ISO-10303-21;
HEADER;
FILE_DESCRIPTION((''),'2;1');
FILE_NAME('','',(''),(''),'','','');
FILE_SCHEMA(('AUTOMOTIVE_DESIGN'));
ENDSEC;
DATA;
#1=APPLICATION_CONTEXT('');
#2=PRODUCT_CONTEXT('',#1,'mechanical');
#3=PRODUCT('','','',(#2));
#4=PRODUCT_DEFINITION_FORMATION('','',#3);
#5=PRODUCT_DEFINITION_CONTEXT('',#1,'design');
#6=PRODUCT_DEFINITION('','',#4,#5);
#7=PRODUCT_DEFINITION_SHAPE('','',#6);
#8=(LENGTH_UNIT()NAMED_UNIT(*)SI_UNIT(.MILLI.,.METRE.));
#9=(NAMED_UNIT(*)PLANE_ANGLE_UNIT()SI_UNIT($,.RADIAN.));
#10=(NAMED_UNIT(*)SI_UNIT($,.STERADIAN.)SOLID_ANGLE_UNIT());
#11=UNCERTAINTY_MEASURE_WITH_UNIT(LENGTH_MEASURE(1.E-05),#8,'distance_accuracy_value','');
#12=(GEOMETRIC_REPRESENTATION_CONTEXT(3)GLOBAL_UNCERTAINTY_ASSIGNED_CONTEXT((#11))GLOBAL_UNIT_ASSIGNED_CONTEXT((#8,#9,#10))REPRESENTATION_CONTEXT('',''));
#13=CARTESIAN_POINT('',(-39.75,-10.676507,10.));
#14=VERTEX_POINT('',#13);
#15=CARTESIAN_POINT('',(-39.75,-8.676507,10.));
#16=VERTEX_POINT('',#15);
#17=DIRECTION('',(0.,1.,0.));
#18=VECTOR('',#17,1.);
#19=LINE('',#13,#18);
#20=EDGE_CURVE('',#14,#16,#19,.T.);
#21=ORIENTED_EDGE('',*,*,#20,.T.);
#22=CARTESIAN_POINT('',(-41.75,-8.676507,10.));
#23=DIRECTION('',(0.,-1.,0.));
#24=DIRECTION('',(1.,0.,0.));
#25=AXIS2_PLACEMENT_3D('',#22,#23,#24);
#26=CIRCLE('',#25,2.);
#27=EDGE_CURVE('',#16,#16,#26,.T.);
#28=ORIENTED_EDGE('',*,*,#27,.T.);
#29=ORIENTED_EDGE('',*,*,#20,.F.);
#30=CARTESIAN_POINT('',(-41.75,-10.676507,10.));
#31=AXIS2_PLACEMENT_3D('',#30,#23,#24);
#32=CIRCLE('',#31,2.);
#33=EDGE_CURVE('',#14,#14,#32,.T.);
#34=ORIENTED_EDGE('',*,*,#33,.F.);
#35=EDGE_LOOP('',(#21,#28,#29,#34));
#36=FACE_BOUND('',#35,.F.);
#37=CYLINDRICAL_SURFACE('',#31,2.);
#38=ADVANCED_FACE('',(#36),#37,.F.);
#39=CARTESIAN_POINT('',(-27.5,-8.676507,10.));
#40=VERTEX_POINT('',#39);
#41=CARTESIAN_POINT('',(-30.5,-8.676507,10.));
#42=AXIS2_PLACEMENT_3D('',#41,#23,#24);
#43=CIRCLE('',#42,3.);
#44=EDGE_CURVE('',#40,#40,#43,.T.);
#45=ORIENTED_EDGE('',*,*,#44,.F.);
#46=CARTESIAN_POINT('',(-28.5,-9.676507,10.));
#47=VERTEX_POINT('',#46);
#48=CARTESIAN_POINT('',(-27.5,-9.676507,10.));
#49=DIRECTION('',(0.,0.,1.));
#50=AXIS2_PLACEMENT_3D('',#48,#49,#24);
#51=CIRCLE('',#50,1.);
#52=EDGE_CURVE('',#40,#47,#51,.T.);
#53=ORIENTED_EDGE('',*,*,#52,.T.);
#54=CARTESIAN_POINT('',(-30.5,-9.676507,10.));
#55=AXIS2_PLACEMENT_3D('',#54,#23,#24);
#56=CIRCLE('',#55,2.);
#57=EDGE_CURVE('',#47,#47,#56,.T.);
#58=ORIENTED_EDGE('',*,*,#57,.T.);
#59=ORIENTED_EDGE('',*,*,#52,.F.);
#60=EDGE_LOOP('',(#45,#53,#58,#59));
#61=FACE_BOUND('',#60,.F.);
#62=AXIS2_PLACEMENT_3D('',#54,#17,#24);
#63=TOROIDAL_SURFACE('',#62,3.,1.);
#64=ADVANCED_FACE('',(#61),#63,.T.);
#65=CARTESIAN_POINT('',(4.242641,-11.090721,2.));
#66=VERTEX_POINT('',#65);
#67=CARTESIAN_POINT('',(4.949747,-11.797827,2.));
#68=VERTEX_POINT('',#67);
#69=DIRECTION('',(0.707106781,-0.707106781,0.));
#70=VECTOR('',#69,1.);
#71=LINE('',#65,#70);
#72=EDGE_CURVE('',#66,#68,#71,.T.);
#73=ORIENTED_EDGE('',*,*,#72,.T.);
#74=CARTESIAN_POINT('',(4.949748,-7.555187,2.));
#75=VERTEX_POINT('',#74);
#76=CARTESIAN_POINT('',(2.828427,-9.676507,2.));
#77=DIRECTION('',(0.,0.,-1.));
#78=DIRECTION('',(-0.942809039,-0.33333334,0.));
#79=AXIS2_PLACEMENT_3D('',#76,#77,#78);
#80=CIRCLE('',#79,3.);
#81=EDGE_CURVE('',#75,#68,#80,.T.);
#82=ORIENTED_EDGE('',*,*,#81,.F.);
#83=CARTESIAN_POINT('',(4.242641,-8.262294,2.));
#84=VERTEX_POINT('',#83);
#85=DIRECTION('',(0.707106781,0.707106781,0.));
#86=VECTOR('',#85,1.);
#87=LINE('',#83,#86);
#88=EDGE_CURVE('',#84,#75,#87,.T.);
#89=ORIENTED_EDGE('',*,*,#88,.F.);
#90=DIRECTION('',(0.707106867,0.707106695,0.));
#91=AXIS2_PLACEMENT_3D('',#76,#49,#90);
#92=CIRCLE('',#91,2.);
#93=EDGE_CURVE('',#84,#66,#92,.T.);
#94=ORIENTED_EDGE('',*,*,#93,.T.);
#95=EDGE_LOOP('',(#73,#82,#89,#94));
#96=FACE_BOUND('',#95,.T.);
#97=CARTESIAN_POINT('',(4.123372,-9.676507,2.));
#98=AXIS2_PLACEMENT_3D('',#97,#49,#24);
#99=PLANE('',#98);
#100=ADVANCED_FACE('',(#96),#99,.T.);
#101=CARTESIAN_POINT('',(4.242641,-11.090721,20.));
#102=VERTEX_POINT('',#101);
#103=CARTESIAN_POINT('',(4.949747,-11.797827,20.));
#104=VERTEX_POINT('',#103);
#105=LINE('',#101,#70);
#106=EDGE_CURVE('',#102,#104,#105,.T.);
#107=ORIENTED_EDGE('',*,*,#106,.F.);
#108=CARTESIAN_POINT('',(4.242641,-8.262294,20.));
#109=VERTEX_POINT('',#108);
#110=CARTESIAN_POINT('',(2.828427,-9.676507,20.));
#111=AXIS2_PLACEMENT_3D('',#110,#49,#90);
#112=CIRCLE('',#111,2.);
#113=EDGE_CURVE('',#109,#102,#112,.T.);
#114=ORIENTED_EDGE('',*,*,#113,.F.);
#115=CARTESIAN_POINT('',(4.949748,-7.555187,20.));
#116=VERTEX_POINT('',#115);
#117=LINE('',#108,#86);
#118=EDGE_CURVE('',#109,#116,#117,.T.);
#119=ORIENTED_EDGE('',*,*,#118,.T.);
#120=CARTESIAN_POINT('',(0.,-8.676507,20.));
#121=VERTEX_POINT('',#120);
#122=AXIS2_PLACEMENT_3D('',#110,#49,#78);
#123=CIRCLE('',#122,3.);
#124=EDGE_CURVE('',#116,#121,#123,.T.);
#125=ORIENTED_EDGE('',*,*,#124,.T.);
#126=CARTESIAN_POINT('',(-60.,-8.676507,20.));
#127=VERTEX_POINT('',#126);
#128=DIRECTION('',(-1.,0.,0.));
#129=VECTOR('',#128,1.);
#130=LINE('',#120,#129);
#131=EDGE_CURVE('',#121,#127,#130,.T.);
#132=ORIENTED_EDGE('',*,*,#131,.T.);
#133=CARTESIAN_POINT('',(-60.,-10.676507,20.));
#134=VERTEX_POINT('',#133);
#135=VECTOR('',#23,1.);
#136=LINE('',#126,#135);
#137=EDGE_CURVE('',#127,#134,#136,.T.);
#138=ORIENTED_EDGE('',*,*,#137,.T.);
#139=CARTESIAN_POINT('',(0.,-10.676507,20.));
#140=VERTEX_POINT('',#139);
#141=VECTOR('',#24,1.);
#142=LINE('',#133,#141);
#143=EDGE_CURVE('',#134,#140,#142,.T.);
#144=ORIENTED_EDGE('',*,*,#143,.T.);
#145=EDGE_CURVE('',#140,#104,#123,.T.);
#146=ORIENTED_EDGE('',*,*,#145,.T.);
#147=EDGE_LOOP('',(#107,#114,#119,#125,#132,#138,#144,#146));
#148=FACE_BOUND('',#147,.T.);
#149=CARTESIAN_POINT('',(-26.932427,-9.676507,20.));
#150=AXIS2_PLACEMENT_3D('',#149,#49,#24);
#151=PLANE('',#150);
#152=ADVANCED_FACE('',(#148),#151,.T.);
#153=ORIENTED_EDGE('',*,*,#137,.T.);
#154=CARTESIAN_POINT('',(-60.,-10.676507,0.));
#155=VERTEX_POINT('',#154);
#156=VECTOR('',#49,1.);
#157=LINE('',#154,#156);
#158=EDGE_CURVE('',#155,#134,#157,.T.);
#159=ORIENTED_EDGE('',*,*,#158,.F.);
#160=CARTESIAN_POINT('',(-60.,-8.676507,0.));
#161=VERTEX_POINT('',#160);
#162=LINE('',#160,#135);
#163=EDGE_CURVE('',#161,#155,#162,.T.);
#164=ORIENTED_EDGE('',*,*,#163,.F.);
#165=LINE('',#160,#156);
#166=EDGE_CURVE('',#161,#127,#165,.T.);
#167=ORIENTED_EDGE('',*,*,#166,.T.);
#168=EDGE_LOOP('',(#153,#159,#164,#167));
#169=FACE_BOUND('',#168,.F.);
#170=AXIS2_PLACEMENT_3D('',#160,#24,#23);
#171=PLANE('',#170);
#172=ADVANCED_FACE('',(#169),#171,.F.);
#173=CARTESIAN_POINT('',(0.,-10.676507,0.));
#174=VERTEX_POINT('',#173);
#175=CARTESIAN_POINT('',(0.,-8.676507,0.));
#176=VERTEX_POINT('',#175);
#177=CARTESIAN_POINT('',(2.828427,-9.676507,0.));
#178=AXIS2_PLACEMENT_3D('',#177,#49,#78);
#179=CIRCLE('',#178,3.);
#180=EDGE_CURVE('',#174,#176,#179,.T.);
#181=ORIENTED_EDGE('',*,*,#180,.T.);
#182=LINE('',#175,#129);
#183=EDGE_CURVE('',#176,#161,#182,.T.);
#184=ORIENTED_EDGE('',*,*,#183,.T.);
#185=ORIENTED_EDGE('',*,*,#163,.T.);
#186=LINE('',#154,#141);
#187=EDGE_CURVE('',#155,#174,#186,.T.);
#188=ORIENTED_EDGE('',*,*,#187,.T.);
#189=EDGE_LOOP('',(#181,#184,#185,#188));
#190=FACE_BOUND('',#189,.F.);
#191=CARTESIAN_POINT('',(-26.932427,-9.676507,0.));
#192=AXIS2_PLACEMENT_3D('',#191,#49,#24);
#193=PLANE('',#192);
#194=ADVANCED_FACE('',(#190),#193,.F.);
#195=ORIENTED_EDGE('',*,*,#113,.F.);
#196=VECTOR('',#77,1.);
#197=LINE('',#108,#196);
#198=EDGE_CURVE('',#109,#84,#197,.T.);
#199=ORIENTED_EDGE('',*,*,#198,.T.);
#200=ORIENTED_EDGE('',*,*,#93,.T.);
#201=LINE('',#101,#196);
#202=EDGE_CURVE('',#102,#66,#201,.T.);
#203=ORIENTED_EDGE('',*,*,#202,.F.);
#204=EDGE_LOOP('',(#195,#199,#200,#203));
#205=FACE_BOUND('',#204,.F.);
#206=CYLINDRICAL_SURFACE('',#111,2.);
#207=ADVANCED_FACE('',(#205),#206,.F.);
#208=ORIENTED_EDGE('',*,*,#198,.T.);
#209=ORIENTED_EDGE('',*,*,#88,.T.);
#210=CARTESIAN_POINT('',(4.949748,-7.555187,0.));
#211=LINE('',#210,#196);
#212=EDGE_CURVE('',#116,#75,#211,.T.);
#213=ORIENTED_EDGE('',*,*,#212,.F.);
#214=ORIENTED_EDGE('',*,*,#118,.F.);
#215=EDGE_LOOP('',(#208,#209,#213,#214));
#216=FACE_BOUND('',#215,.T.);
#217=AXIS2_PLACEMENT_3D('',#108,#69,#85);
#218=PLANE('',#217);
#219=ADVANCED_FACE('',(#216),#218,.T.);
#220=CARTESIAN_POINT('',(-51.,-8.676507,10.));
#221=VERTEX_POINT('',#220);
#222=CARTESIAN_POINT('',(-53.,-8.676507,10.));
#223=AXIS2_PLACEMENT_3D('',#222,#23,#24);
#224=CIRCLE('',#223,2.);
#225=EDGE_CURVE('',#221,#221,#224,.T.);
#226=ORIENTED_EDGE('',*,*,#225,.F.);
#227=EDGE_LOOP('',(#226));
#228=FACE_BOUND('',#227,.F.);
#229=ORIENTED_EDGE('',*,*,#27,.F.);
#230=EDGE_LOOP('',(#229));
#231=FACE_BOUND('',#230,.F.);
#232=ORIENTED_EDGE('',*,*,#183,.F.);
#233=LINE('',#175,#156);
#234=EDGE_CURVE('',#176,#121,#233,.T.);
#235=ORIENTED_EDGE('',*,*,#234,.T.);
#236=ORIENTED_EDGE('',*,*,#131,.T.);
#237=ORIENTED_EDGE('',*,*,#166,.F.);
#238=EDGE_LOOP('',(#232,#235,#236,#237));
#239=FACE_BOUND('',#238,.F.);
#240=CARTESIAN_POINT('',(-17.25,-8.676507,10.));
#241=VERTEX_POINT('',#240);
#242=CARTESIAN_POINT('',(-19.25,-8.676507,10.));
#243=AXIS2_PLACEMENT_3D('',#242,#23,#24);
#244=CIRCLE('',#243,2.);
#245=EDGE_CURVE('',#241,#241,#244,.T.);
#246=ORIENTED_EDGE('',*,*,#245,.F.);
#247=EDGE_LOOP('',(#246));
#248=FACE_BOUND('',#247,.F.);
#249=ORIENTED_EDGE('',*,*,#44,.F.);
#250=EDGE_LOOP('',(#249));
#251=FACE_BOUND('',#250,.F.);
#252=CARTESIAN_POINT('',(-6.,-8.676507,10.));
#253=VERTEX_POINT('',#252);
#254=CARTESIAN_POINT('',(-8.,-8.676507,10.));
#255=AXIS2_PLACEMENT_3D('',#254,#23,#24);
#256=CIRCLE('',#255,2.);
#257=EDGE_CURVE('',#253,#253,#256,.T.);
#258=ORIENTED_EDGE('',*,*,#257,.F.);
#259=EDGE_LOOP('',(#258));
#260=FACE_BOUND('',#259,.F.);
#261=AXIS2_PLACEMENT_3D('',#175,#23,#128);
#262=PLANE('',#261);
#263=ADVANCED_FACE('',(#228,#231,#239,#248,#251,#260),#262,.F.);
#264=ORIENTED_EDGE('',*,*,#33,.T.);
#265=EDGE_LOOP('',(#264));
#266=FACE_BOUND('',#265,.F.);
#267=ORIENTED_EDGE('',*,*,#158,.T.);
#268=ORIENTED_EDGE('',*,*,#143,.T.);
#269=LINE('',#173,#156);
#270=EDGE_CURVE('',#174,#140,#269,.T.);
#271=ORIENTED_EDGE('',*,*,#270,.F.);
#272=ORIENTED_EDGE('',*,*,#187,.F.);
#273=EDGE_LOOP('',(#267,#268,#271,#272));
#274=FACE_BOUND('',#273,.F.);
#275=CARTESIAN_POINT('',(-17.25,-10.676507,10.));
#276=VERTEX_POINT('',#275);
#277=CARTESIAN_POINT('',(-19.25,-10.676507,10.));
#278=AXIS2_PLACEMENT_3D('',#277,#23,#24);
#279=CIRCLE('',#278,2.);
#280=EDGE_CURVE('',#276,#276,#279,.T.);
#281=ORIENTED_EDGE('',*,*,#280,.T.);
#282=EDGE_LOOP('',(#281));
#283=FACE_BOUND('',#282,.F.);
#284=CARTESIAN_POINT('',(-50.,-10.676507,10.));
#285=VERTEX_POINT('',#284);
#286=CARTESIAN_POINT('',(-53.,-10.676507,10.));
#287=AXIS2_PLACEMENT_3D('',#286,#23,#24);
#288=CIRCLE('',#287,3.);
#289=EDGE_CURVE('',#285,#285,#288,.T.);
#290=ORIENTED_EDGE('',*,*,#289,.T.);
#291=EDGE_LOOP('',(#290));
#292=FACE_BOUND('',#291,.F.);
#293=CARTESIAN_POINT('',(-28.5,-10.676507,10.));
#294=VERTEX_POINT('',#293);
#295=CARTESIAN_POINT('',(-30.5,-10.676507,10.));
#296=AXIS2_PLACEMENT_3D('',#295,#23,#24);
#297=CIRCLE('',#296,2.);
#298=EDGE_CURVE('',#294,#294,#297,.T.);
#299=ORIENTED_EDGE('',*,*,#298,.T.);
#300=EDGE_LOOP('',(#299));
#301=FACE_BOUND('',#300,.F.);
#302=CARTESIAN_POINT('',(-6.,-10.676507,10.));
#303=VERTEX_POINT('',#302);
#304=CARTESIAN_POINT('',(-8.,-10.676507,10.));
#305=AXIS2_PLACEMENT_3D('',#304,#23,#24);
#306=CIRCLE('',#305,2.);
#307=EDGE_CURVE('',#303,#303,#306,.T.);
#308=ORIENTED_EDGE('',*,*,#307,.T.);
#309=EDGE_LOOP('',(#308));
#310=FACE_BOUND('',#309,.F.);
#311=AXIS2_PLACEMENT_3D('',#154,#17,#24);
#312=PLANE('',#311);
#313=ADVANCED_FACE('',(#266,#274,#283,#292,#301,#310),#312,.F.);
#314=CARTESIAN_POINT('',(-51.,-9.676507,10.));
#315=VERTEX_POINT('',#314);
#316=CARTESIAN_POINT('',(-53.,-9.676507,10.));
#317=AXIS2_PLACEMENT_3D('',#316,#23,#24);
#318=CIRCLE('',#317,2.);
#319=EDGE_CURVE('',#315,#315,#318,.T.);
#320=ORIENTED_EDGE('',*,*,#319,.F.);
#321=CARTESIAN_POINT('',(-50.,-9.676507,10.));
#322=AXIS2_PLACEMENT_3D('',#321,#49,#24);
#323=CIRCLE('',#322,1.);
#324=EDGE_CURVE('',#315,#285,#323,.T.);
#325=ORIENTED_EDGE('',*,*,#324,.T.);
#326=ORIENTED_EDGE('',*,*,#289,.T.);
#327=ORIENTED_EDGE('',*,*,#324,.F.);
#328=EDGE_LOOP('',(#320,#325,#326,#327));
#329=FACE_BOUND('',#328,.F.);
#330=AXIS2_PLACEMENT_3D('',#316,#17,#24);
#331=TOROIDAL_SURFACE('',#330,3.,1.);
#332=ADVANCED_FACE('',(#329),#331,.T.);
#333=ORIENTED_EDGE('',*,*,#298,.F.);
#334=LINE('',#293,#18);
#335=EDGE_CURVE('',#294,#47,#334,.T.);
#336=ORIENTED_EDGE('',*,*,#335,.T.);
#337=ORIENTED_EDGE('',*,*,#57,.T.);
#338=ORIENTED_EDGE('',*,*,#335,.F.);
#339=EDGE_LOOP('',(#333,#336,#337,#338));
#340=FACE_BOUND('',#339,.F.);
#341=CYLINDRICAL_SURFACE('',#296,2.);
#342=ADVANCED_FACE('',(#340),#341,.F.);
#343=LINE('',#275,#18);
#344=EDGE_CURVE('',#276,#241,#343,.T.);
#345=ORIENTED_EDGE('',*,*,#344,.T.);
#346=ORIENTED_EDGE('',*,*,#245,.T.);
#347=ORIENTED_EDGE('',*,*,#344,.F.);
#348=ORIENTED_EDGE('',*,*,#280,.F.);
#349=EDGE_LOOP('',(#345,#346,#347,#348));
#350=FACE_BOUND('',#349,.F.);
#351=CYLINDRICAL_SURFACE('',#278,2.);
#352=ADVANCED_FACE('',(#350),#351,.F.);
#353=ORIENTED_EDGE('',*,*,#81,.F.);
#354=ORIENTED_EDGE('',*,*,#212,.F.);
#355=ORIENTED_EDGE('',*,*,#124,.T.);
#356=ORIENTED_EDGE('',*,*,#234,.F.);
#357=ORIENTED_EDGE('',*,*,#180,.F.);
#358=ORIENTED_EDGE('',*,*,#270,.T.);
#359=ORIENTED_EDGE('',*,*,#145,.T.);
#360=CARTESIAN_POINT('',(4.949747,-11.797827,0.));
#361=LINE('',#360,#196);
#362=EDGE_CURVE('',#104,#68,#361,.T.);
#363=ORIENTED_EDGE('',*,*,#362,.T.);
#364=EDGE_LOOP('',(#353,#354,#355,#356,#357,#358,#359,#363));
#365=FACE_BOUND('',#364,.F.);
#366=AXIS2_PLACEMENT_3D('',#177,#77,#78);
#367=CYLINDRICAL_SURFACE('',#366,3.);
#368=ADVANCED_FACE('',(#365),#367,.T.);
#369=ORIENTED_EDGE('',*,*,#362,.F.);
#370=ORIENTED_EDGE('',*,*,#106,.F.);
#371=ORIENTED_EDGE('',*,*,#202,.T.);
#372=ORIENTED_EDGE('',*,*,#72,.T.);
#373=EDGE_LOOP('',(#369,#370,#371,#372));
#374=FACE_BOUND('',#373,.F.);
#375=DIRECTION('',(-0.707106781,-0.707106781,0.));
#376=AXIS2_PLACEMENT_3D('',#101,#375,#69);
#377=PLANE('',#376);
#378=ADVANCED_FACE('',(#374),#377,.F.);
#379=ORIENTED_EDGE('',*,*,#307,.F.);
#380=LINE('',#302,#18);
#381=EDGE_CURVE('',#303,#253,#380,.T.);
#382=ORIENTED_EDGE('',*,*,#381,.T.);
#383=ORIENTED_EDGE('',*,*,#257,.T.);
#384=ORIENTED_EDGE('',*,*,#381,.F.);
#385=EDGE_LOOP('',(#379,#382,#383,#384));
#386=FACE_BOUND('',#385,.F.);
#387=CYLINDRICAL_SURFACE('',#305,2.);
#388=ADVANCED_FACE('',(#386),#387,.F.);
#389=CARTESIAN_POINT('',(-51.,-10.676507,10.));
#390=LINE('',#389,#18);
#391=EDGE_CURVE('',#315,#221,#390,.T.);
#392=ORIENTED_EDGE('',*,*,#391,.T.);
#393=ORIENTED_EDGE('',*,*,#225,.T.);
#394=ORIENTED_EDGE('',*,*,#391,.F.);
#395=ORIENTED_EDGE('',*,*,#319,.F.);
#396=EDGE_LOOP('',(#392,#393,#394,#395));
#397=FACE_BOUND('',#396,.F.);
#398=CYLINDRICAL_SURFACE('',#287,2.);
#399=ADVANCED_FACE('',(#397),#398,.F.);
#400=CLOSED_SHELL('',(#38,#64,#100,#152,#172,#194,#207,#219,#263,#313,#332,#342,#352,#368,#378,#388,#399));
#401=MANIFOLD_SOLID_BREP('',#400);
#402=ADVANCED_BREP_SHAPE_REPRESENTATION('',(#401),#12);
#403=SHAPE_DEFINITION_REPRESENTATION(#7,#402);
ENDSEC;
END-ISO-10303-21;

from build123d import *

# Parameters (mm, degrees)
PAD001_DEPTH           = 20
SKETCH003_R            = 2
POCKET001_DEPTH        = 4.001
LINEARPATTERN001_COUNT = 5
LINEARPATTERN001_PITCH = 11.25
POCKET002_DEPTH        = 18
FILLET_R               = 1
FILLET001_R            = 1


with BuildPart() as part:
    # Sketch002 → Pad001 (new body)
    with BuildSketch(Plane.XY):
        with BuildLine():
            Line((0, -8.676507), (-60, -8.676507))
            Line((-60, -8.676507), (-60, -10.676507))
            Line((-60, -10.676507), (0, -10.676507))
            ThreePointArc((0, -10.676507), (5.828427, -9.676507), (0, -8.676507))
        make_face()
    extrude(amount=PAD001_DEPTH)

    # Sketch003 → Pocket001 (cut, through all)
    with BuildSketch(Plane.XZ.offset(10.676507)):
        with Locations((-53, 10)):
            Circle(SKETCH003_R)
    pocket001 = extrude(amount=-POCKET001_DEPTH, mode=Mode.SUBTRACT)

    # LinearPattern001: Pocket001 ×5
    with Locations(*[(i * LINEARPATTERN001_PITCH, 0, 0) for i in range(1, LINEARPATTERN001_COUNT)]):
        add(pocket001, mode=Mode.SUBTRACT)

    # Sketch005 → Pocket002 (cut)
    with BuildSketch(Plane.XY.offset(20)):
        with BuildLine():
            ThreePointArc((5.527045, -12.375125), (6.644849, -9.676507), (5.527045, -6.97789))
            Line((4.242641, -8.262294), (5.527045, -6.97789))
            ThreePointArc((4.242641, -8.262294), (0.828427, -9.676507), (4.242641, -11.090721))
            Line((4.242641, -11.090721), (5.527045, -12.375125))
        make_face()
    extrude(amount=-POCKET002_DEPTH, mode=Mode.SUBTRACT)

    # Fillet
    fillet_edges = [part.edges().sort_by_distance(p)[0] for p in [
        (-55, -10.676507, 10),
    ]]
    fillet(fillet_edges, radius=FILLET_R)

    # Fillet001
    fillet001_edges = [part.edges().sort_by_distance(p)[0] for p in [
        (-32.5, -8.676507, 10),
    ]]
    fillet(fillet001_edges, radius=FILLET001_R)


solid = part.part
